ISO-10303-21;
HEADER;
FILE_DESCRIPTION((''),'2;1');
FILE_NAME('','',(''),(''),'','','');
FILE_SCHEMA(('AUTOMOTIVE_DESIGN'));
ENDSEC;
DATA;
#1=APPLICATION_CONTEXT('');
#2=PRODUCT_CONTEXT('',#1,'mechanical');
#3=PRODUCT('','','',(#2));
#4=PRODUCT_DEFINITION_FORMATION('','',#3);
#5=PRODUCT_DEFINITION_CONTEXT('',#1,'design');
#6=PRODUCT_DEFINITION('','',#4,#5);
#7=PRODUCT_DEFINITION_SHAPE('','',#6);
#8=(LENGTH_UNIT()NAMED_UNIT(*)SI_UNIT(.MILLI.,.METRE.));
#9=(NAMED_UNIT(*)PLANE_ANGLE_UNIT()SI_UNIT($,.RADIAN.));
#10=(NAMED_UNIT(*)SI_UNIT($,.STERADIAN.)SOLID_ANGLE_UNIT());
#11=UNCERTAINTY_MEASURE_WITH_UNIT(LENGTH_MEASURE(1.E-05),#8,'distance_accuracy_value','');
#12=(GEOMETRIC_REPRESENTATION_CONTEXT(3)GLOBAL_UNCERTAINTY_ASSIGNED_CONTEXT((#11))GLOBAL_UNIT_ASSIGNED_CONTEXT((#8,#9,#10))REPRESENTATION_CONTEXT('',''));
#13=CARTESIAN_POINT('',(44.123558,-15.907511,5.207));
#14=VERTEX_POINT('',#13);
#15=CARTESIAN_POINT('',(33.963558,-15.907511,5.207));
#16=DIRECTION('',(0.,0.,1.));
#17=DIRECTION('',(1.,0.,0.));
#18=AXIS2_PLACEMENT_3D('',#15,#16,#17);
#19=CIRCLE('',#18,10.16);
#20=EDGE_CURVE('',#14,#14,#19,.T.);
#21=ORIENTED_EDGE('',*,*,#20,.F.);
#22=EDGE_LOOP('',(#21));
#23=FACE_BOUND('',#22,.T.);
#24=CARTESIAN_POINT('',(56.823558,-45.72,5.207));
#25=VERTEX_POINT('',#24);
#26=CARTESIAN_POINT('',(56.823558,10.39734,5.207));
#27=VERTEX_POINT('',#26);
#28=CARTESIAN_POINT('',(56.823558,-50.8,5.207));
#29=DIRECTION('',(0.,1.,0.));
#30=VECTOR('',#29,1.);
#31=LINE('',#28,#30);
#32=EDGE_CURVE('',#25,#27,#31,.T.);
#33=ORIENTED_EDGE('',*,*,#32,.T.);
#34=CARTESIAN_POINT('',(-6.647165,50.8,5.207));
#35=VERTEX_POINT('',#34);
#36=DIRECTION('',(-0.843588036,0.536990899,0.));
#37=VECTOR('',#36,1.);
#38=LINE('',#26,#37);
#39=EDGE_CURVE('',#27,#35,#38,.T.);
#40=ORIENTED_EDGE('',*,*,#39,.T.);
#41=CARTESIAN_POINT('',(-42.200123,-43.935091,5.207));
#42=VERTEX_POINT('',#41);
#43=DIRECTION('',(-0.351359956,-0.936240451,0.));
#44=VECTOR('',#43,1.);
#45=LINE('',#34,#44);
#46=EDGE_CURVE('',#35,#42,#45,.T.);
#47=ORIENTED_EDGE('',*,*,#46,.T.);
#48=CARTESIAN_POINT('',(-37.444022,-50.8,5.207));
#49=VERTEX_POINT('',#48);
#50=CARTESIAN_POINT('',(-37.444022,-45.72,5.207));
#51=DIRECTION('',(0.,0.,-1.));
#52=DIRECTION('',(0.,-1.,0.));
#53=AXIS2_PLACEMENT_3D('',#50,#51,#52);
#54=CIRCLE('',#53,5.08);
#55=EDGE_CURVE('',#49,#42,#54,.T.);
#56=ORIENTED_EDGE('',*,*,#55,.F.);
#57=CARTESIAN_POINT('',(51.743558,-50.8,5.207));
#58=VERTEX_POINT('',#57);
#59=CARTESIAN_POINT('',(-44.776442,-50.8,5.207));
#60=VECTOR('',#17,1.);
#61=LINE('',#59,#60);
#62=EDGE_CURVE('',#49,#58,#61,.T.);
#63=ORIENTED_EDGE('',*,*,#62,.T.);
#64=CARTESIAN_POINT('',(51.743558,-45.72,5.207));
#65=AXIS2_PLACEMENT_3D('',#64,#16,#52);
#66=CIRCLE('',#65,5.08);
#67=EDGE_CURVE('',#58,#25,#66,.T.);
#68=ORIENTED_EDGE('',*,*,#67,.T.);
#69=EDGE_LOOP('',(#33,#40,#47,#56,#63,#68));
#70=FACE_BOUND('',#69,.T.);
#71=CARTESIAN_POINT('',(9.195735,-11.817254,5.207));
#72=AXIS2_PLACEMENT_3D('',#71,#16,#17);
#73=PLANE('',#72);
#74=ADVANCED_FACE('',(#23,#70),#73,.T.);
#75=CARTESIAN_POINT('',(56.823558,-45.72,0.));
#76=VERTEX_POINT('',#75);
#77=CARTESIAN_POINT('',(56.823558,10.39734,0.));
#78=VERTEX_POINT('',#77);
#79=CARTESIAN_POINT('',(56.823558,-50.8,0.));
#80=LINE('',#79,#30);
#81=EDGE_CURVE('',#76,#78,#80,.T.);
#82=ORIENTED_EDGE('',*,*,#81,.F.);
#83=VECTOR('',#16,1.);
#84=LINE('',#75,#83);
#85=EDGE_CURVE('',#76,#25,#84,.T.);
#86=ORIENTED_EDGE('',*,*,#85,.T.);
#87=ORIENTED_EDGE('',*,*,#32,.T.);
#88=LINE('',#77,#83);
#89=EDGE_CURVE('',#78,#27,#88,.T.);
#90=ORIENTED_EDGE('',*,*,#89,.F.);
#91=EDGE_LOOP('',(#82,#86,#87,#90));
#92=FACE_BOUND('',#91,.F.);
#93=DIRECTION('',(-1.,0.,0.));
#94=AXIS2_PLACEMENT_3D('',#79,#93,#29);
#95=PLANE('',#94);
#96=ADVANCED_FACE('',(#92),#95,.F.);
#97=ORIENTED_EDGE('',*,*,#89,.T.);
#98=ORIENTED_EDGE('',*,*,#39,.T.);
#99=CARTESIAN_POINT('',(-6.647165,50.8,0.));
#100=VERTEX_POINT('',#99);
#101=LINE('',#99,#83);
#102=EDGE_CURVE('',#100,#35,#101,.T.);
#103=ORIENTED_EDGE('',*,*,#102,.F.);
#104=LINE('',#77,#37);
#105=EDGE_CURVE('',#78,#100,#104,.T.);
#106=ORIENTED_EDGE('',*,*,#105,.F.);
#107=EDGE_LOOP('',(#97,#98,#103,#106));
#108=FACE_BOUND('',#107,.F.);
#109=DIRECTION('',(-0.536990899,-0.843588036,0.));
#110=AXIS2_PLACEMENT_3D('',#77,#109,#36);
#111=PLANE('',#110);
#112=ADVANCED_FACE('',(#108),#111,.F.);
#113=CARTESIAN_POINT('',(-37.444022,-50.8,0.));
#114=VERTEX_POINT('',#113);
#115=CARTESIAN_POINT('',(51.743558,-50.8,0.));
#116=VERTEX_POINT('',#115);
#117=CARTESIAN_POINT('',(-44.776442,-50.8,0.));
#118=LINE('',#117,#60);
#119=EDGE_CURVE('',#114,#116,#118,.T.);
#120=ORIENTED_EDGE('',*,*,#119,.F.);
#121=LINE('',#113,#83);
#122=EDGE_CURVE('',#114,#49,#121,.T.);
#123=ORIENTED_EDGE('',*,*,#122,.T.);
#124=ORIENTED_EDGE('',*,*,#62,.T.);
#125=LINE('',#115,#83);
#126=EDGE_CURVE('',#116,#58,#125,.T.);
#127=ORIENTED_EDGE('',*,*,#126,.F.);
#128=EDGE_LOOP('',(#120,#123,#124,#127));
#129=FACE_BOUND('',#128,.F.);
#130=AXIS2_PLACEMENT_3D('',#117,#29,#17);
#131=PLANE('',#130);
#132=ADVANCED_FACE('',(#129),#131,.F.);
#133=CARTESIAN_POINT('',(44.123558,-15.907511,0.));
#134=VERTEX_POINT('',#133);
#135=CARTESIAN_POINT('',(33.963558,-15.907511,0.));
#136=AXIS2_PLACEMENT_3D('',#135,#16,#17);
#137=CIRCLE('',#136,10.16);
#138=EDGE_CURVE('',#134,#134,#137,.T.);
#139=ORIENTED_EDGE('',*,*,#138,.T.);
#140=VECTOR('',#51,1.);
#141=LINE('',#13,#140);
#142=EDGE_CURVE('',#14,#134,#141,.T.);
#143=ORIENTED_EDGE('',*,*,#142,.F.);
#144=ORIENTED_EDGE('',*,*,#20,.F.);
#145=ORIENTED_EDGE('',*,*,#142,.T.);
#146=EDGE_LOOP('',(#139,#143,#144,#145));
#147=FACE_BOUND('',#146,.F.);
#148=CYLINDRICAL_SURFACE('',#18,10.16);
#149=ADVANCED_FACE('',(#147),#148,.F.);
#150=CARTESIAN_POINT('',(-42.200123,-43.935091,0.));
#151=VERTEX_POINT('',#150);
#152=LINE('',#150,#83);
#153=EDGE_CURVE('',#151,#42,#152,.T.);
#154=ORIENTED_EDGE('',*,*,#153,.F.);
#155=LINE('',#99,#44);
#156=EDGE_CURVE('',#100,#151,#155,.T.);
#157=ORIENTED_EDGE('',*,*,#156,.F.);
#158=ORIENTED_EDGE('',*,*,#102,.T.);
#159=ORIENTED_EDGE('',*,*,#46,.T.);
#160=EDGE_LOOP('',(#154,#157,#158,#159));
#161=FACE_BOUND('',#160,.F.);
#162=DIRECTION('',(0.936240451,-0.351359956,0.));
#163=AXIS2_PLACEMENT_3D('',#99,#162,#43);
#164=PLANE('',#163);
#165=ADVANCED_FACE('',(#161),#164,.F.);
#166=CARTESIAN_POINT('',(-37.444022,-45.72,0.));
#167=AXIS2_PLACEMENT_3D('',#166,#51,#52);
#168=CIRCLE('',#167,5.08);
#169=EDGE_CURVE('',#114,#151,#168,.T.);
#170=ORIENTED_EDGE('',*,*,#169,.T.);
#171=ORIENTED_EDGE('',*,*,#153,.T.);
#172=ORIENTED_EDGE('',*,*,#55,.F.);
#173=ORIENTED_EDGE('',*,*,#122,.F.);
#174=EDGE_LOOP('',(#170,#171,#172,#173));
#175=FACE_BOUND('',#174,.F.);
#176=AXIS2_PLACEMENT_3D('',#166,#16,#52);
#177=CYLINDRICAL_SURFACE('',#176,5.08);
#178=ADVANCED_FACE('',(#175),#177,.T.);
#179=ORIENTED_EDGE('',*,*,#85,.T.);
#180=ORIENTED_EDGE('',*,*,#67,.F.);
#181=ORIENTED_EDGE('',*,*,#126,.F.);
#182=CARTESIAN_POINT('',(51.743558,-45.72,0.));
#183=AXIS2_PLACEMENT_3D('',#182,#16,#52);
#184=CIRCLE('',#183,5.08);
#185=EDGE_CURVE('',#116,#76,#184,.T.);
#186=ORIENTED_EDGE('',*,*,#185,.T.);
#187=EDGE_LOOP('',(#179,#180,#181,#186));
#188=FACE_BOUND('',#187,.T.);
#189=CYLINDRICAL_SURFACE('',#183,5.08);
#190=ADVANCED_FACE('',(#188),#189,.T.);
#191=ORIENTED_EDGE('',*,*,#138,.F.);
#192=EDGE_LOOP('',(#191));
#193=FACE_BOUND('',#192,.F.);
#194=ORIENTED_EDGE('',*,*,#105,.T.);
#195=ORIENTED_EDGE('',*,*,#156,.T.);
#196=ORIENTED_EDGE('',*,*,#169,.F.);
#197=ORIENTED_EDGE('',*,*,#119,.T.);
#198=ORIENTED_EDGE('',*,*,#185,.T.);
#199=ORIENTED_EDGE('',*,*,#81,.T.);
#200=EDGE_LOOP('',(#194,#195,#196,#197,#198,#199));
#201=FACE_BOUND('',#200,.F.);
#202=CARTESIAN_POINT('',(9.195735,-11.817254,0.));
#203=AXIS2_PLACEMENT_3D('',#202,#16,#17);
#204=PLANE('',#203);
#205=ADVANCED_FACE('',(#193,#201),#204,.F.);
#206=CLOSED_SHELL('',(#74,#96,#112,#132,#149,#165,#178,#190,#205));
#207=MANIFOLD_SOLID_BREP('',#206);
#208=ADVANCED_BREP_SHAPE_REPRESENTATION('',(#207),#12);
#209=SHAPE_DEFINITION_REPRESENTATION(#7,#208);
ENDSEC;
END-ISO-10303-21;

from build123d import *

# Parameters (mm, degrees)
F1_DEPTH = 5.207
F2_R     = 10.16
F3_DEPTH = 5.207
F4_R     = 5.08


with BuildPart() as f1:
    # F0 (on Top) → F1 (new body)
    with BuildSketch(Plane.XY):
        Polygon((-44.776442, -50.8), (56.823558, -50.8), (56.823558, 10.39734), (-6.647165, 50.8), align=None)
    extrude(amount=F1_DEPTH)

    # F2 (on face) → F3 (cut, through all)
    with BuildSketch(Plane.XY.offset(5.207)):
        with Locations((33.963558, -15.907511)):
            Circle(F2_R)
    extrude(amount=-F3_DEPTH, mode=Mode.SUBTRACT)

    # F4
    f4_edges = [f1.edges().sort_by_distance(p)[0] for p in [
        (56.823558, -50.8, 2.6035),
        (-44.776442, -50.8, 2.6035),
    ]]
    fillet(f4_edges, radius=F4_R)


solid = f1.part
